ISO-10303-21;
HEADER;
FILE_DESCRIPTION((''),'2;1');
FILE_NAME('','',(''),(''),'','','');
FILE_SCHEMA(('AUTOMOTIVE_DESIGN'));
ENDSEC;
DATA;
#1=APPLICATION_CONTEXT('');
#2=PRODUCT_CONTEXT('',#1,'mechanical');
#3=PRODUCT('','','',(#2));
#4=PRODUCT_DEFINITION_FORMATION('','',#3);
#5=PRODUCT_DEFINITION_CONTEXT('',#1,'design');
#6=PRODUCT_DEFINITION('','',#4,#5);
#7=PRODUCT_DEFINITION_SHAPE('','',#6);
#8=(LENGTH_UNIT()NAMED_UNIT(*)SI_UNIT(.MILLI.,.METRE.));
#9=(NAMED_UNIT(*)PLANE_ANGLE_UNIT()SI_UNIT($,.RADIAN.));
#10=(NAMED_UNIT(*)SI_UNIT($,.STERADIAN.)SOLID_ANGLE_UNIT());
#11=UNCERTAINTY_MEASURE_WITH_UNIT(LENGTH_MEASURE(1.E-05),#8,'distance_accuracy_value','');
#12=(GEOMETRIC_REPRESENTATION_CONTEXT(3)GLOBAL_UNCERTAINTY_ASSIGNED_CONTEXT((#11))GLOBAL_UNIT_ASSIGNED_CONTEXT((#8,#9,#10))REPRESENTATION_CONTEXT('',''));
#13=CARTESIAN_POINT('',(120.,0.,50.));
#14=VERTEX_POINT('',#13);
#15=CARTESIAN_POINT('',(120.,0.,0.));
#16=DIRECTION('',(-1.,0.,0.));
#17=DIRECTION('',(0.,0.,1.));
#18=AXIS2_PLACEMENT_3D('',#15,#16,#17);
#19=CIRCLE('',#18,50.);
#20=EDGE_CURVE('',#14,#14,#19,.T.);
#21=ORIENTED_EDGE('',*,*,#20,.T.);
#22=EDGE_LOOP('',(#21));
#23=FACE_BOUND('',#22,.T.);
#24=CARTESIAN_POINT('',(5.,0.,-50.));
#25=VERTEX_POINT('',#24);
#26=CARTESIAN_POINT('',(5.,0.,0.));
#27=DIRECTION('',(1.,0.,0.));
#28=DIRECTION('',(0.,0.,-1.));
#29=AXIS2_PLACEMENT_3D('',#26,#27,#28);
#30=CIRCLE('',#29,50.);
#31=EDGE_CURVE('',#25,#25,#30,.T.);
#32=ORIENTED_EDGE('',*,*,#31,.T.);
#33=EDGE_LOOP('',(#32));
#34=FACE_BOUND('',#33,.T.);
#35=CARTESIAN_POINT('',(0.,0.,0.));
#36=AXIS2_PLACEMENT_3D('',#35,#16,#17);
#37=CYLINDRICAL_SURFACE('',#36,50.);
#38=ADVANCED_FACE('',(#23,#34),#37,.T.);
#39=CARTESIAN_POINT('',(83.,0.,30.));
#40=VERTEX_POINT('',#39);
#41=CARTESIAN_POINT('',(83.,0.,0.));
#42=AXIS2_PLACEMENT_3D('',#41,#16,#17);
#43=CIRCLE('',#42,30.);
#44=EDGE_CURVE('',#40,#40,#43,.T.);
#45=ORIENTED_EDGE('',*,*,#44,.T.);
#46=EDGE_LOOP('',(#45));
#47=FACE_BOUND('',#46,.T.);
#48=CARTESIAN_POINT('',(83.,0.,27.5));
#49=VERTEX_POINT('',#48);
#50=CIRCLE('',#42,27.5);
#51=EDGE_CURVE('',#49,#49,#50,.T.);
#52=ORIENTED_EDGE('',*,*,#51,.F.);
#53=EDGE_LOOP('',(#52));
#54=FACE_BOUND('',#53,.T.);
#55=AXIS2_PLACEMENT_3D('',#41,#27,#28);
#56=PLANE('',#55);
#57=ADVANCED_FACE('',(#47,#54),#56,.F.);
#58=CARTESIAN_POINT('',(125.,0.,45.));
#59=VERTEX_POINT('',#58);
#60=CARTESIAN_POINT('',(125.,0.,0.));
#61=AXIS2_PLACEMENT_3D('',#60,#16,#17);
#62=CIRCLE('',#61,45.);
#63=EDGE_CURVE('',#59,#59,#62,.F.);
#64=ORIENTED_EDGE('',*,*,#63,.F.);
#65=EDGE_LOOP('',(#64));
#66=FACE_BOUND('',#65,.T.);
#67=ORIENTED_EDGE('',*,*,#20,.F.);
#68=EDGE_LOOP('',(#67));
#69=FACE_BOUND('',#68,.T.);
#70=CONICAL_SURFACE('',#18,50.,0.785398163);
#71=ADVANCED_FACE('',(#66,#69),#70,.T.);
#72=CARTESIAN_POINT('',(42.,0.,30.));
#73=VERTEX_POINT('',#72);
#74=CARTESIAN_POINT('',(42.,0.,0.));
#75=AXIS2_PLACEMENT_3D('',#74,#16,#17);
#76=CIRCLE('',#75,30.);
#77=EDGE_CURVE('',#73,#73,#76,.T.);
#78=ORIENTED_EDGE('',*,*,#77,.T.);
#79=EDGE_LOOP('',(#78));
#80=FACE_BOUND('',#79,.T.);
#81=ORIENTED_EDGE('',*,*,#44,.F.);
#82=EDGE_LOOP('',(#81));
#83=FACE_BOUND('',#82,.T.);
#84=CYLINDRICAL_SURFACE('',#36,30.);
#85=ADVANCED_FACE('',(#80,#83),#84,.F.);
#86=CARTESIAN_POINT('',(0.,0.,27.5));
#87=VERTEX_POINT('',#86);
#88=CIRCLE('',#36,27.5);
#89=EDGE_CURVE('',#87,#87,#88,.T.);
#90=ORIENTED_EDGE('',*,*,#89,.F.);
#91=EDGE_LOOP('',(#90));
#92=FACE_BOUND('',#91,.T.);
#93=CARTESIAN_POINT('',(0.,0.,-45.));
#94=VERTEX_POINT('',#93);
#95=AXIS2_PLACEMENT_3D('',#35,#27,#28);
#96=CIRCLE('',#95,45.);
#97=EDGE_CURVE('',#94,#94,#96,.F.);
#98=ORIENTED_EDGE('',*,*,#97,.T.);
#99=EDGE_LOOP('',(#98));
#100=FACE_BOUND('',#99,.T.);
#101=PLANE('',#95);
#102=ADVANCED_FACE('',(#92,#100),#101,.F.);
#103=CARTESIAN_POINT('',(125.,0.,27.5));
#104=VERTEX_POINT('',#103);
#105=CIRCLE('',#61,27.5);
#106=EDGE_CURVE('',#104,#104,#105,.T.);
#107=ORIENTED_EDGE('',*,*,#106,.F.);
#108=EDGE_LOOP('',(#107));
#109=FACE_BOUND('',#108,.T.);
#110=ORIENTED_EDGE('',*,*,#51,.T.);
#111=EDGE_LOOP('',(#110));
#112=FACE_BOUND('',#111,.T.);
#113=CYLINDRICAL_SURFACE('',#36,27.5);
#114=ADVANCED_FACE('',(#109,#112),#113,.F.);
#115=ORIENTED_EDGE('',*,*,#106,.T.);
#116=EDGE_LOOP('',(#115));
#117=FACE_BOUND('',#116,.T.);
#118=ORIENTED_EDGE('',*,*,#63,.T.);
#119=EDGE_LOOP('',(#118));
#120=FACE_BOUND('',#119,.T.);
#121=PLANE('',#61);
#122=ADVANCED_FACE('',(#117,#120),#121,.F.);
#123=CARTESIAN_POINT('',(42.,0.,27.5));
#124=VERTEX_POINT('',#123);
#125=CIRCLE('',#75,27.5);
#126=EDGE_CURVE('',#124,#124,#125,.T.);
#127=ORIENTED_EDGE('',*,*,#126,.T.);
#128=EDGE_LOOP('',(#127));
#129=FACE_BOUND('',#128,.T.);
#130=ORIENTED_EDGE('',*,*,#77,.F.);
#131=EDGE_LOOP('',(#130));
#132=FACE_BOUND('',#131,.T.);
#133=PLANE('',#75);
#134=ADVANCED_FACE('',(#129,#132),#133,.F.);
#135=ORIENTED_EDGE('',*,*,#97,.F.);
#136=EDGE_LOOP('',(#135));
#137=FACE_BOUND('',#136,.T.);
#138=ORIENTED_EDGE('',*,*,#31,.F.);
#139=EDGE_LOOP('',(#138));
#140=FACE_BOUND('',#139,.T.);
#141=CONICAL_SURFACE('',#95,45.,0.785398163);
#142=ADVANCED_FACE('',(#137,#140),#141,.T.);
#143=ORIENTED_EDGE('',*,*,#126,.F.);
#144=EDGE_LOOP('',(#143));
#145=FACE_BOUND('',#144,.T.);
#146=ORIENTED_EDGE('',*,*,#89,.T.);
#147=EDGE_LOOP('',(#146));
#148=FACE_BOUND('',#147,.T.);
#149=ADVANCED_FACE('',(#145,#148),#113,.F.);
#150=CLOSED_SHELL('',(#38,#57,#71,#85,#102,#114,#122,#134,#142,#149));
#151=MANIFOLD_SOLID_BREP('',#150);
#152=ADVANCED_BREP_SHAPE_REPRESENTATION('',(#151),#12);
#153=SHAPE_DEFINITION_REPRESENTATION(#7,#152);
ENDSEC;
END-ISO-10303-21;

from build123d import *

# Parameters (mm, degrees)
CHAMFER_1_SIZE = 5


with BuildPart() as part:
    # 草图1 → 旋转1 (revolve)
    with BuildSketch(Plane.XY, mode=Mode.PRIVATE) as revolve_1_sk:
        Polygon((83, 30), (83, 27.5), (125, 27.5), (125, 50), (0, 50), (0, 27.5), (42, 27.5), (42, 30), align=None)
    revolve(revolve_1_sk.sketch.rotate(Axis((0, 0, 0), (1, 0, 0)), 90), axis=Axis((0, 0, 0), (1, 0, 0)))

    # 倒角1
    chamfer_1_edges = [part.edges().sort_by_distance(p)[0] for p in [
        (0, 0, -50),
        (125, 0, -50),
    ]]
    chamfer(chamfer_1_edges, length=CHAMFER_1_SIZE)


solid = part.part
